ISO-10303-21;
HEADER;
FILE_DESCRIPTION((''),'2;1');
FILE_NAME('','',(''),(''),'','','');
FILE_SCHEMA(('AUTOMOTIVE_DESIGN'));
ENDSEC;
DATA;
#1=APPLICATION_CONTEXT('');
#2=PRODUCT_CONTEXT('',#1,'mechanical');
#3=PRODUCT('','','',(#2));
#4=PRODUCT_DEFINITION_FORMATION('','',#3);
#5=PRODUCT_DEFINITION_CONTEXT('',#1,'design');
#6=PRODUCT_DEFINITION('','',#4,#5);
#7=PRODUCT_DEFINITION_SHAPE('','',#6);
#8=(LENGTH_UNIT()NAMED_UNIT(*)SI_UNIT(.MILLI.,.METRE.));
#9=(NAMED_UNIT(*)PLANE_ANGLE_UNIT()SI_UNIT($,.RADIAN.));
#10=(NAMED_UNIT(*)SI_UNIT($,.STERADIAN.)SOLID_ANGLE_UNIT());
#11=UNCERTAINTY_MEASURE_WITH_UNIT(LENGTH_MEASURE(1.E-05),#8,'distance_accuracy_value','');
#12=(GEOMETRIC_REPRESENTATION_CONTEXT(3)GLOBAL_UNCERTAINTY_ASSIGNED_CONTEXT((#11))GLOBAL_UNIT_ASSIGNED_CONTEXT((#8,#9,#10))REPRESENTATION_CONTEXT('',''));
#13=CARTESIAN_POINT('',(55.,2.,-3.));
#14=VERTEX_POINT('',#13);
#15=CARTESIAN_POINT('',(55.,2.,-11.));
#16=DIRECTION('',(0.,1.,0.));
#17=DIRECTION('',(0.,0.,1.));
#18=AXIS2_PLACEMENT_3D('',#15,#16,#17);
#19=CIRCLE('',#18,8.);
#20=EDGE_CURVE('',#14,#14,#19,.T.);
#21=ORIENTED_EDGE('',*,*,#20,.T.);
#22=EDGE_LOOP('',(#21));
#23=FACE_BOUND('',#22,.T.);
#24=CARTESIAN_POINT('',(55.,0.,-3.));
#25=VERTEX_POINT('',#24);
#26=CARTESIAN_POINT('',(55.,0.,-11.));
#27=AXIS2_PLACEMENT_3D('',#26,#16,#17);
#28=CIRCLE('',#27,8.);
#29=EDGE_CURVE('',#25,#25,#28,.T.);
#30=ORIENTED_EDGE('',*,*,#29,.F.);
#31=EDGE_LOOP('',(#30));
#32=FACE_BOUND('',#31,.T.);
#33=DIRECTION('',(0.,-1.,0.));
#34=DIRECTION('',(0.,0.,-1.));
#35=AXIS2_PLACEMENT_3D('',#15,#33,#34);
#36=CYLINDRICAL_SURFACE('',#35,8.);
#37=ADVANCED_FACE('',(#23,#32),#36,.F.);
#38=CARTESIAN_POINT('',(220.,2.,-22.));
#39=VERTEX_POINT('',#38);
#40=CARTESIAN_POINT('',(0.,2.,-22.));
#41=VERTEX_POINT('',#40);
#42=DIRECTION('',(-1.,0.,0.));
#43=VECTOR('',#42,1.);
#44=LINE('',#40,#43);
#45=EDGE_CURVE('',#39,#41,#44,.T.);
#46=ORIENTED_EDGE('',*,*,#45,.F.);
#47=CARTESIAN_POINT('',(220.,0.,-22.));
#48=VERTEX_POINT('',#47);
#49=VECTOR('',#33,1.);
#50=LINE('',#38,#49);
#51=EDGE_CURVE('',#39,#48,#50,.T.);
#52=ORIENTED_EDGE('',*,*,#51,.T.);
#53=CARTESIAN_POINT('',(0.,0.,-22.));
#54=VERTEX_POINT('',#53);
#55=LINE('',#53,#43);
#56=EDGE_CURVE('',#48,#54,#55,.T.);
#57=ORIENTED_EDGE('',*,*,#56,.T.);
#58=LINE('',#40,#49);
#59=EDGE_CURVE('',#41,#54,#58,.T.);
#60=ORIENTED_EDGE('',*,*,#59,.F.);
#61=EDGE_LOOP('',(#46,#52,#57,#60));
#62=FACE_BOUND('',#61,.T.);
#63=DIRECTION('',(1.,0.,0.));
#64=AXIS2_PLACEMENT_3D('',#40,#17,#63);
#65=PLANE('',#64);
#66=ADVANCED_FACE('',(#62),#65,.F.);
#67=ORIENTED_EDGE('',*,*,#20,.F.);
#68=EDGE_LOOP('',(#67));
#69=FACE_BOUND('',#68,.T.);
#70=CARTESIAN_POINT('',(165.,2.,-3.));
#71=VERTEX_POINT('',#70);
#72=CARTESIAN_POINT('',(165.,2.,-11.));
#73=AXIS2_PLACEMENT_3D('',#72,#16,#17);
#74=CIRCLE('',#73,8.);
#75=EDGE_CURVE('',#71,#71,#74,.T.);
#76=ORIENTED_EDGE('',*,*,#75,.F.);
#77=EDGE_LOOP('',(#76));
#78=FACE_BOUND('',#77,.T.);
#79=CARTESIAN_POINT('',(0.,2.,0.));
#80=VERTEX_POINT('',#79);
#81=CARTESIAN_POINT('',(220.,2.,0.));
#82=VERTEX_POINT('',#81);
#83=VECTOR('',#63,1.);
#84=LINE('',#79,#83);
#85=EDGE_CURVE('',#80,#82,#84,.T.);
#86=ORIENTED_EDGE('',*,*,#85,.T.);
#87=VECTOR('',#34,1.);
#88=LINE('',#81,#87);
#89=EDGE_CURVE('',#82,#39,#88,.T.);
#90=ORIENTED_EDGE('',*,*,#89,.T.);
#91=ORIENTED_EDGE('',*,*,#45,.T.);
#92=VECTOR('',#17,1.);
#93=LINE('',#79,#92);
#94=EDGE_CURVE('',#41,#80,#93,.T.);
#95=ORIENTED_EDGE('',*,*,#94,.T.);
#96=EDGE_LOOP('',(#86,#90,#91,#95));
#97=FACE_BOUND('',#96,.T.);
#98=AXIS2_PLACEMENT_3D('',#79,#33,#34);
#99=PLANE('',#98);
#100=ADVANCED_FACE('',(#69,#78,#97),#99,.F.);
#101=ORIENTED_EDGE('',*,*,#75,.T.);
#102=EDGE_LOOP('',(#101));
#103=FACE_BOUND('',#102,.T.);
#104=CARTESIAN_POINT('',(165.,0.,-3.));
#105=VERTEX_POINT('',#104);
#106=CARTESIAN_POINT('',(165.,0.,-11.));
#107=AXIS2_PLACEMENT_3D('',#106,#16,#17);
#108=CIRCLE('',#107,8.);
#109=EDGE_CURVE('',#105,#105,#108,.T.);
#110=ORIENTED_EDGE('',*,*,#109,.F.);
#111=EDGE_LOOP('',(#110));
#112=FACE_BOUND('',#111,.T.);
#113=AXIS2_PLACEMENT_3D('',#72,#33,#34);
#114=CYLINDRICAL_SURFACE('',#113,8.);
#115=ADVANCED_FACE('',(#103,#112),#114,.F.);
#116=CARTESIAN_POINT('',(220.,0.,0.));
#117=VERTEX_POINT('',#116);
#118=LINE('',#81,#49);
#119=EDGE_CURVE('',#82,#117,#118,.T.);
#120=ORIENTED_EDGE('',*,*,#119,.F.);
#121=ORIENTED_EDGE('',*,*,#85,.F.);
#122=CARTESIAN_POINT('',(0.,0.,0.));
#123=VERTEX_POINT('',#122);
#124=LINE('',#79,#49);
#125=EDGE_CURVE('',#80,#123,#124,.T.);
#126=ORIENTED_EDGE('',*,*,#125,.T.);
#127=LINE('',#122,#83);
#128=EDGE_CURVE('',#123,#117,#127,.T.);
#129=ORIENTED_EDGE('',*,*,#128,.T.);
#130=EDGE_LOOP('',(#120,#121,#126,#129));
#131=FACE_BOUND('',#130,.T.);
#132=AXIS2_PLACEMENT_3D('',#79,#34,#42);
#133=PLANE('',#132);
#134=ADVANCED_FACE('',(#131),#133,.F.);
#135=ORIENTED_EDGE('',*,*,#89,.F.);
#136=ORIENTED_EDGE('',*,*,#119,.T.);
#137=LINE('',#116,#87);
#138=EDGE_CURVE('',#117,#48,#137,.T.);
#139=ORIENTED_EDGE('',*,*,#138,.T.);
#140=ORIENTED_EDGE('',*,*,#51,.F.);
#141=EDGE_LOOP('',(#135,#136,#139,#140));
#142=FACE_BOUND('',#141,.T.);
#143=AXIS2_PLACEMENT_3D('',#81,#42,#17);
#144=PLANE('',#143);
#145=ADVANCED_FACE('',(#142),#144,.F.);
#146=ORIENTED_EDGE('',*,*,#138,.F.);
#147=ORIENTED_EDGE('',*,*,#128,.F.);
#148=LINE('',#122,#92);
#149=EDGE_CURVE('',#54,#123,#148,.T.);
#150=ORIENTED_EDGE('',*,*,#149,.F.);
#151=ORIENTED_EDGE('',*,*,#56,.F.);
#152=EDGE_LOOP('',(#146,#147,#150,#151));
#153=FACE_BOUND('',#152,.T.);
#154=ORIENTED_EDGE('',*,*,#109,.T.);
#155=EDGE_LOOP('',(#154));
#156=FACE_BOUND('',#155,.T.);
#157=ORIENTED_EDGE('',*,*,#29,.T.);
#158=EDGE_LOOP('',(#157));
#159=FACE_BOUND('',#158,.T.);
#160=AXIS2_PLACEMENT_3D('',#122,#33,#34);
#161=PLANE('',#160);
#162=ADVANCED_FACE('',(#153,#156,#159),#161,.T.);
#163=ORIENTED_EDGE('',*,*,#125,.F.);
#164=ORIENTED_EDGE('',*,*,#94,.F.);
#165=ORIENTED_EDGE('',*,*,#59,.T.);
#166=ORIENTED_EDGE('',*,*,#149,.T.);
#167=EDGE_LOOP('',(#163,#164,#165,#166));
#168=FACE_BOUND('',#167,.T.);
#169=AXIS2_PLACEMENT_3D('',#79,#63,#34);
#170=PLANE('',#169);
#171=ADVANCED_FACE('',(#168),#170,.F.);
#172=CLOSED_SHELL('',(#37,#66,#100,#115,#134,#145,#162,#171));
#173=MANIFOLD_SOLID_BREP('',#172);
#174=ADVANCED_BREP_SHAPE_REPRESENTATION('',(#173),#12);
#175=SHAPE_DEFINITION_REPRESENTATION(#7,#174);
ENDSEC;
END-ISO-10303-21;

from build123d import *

# Parameters (mm, degrees)
SZKIC1_W                    = 220
SZKIC1_H                    = 22
SZKIC1_R                    = 8
DODANIE_WYCI_GNI_CIE1_DEPTH = 2


with BuildPart() as part:
    # Szkic1 → Dodanie-wyciągnięcie1 (new body)
    with BuildSketch(Plane(origin=(0, 0, 0), x_dir=(1, 0, 0), z_dir=(0, 1, 0))):
        with Locations((110, 11)):
            Rectangle(SZKIC1_W, SZKIC1_H)
        with Locations(Location((165, 11, 0), (0, 0, 270))):
            Circle(SZKIC1_R, mode=Mode.SUBTRACT)
        with Locations(Location((55, 11, 0), (0, 0, 270))):
            Circle(SZKIC1_R, mode=Mode.SUBTRACT)
    extrude(amount=DODANIE_WYCI_GNI_CIE1_DEPTH)


solid = part.part
